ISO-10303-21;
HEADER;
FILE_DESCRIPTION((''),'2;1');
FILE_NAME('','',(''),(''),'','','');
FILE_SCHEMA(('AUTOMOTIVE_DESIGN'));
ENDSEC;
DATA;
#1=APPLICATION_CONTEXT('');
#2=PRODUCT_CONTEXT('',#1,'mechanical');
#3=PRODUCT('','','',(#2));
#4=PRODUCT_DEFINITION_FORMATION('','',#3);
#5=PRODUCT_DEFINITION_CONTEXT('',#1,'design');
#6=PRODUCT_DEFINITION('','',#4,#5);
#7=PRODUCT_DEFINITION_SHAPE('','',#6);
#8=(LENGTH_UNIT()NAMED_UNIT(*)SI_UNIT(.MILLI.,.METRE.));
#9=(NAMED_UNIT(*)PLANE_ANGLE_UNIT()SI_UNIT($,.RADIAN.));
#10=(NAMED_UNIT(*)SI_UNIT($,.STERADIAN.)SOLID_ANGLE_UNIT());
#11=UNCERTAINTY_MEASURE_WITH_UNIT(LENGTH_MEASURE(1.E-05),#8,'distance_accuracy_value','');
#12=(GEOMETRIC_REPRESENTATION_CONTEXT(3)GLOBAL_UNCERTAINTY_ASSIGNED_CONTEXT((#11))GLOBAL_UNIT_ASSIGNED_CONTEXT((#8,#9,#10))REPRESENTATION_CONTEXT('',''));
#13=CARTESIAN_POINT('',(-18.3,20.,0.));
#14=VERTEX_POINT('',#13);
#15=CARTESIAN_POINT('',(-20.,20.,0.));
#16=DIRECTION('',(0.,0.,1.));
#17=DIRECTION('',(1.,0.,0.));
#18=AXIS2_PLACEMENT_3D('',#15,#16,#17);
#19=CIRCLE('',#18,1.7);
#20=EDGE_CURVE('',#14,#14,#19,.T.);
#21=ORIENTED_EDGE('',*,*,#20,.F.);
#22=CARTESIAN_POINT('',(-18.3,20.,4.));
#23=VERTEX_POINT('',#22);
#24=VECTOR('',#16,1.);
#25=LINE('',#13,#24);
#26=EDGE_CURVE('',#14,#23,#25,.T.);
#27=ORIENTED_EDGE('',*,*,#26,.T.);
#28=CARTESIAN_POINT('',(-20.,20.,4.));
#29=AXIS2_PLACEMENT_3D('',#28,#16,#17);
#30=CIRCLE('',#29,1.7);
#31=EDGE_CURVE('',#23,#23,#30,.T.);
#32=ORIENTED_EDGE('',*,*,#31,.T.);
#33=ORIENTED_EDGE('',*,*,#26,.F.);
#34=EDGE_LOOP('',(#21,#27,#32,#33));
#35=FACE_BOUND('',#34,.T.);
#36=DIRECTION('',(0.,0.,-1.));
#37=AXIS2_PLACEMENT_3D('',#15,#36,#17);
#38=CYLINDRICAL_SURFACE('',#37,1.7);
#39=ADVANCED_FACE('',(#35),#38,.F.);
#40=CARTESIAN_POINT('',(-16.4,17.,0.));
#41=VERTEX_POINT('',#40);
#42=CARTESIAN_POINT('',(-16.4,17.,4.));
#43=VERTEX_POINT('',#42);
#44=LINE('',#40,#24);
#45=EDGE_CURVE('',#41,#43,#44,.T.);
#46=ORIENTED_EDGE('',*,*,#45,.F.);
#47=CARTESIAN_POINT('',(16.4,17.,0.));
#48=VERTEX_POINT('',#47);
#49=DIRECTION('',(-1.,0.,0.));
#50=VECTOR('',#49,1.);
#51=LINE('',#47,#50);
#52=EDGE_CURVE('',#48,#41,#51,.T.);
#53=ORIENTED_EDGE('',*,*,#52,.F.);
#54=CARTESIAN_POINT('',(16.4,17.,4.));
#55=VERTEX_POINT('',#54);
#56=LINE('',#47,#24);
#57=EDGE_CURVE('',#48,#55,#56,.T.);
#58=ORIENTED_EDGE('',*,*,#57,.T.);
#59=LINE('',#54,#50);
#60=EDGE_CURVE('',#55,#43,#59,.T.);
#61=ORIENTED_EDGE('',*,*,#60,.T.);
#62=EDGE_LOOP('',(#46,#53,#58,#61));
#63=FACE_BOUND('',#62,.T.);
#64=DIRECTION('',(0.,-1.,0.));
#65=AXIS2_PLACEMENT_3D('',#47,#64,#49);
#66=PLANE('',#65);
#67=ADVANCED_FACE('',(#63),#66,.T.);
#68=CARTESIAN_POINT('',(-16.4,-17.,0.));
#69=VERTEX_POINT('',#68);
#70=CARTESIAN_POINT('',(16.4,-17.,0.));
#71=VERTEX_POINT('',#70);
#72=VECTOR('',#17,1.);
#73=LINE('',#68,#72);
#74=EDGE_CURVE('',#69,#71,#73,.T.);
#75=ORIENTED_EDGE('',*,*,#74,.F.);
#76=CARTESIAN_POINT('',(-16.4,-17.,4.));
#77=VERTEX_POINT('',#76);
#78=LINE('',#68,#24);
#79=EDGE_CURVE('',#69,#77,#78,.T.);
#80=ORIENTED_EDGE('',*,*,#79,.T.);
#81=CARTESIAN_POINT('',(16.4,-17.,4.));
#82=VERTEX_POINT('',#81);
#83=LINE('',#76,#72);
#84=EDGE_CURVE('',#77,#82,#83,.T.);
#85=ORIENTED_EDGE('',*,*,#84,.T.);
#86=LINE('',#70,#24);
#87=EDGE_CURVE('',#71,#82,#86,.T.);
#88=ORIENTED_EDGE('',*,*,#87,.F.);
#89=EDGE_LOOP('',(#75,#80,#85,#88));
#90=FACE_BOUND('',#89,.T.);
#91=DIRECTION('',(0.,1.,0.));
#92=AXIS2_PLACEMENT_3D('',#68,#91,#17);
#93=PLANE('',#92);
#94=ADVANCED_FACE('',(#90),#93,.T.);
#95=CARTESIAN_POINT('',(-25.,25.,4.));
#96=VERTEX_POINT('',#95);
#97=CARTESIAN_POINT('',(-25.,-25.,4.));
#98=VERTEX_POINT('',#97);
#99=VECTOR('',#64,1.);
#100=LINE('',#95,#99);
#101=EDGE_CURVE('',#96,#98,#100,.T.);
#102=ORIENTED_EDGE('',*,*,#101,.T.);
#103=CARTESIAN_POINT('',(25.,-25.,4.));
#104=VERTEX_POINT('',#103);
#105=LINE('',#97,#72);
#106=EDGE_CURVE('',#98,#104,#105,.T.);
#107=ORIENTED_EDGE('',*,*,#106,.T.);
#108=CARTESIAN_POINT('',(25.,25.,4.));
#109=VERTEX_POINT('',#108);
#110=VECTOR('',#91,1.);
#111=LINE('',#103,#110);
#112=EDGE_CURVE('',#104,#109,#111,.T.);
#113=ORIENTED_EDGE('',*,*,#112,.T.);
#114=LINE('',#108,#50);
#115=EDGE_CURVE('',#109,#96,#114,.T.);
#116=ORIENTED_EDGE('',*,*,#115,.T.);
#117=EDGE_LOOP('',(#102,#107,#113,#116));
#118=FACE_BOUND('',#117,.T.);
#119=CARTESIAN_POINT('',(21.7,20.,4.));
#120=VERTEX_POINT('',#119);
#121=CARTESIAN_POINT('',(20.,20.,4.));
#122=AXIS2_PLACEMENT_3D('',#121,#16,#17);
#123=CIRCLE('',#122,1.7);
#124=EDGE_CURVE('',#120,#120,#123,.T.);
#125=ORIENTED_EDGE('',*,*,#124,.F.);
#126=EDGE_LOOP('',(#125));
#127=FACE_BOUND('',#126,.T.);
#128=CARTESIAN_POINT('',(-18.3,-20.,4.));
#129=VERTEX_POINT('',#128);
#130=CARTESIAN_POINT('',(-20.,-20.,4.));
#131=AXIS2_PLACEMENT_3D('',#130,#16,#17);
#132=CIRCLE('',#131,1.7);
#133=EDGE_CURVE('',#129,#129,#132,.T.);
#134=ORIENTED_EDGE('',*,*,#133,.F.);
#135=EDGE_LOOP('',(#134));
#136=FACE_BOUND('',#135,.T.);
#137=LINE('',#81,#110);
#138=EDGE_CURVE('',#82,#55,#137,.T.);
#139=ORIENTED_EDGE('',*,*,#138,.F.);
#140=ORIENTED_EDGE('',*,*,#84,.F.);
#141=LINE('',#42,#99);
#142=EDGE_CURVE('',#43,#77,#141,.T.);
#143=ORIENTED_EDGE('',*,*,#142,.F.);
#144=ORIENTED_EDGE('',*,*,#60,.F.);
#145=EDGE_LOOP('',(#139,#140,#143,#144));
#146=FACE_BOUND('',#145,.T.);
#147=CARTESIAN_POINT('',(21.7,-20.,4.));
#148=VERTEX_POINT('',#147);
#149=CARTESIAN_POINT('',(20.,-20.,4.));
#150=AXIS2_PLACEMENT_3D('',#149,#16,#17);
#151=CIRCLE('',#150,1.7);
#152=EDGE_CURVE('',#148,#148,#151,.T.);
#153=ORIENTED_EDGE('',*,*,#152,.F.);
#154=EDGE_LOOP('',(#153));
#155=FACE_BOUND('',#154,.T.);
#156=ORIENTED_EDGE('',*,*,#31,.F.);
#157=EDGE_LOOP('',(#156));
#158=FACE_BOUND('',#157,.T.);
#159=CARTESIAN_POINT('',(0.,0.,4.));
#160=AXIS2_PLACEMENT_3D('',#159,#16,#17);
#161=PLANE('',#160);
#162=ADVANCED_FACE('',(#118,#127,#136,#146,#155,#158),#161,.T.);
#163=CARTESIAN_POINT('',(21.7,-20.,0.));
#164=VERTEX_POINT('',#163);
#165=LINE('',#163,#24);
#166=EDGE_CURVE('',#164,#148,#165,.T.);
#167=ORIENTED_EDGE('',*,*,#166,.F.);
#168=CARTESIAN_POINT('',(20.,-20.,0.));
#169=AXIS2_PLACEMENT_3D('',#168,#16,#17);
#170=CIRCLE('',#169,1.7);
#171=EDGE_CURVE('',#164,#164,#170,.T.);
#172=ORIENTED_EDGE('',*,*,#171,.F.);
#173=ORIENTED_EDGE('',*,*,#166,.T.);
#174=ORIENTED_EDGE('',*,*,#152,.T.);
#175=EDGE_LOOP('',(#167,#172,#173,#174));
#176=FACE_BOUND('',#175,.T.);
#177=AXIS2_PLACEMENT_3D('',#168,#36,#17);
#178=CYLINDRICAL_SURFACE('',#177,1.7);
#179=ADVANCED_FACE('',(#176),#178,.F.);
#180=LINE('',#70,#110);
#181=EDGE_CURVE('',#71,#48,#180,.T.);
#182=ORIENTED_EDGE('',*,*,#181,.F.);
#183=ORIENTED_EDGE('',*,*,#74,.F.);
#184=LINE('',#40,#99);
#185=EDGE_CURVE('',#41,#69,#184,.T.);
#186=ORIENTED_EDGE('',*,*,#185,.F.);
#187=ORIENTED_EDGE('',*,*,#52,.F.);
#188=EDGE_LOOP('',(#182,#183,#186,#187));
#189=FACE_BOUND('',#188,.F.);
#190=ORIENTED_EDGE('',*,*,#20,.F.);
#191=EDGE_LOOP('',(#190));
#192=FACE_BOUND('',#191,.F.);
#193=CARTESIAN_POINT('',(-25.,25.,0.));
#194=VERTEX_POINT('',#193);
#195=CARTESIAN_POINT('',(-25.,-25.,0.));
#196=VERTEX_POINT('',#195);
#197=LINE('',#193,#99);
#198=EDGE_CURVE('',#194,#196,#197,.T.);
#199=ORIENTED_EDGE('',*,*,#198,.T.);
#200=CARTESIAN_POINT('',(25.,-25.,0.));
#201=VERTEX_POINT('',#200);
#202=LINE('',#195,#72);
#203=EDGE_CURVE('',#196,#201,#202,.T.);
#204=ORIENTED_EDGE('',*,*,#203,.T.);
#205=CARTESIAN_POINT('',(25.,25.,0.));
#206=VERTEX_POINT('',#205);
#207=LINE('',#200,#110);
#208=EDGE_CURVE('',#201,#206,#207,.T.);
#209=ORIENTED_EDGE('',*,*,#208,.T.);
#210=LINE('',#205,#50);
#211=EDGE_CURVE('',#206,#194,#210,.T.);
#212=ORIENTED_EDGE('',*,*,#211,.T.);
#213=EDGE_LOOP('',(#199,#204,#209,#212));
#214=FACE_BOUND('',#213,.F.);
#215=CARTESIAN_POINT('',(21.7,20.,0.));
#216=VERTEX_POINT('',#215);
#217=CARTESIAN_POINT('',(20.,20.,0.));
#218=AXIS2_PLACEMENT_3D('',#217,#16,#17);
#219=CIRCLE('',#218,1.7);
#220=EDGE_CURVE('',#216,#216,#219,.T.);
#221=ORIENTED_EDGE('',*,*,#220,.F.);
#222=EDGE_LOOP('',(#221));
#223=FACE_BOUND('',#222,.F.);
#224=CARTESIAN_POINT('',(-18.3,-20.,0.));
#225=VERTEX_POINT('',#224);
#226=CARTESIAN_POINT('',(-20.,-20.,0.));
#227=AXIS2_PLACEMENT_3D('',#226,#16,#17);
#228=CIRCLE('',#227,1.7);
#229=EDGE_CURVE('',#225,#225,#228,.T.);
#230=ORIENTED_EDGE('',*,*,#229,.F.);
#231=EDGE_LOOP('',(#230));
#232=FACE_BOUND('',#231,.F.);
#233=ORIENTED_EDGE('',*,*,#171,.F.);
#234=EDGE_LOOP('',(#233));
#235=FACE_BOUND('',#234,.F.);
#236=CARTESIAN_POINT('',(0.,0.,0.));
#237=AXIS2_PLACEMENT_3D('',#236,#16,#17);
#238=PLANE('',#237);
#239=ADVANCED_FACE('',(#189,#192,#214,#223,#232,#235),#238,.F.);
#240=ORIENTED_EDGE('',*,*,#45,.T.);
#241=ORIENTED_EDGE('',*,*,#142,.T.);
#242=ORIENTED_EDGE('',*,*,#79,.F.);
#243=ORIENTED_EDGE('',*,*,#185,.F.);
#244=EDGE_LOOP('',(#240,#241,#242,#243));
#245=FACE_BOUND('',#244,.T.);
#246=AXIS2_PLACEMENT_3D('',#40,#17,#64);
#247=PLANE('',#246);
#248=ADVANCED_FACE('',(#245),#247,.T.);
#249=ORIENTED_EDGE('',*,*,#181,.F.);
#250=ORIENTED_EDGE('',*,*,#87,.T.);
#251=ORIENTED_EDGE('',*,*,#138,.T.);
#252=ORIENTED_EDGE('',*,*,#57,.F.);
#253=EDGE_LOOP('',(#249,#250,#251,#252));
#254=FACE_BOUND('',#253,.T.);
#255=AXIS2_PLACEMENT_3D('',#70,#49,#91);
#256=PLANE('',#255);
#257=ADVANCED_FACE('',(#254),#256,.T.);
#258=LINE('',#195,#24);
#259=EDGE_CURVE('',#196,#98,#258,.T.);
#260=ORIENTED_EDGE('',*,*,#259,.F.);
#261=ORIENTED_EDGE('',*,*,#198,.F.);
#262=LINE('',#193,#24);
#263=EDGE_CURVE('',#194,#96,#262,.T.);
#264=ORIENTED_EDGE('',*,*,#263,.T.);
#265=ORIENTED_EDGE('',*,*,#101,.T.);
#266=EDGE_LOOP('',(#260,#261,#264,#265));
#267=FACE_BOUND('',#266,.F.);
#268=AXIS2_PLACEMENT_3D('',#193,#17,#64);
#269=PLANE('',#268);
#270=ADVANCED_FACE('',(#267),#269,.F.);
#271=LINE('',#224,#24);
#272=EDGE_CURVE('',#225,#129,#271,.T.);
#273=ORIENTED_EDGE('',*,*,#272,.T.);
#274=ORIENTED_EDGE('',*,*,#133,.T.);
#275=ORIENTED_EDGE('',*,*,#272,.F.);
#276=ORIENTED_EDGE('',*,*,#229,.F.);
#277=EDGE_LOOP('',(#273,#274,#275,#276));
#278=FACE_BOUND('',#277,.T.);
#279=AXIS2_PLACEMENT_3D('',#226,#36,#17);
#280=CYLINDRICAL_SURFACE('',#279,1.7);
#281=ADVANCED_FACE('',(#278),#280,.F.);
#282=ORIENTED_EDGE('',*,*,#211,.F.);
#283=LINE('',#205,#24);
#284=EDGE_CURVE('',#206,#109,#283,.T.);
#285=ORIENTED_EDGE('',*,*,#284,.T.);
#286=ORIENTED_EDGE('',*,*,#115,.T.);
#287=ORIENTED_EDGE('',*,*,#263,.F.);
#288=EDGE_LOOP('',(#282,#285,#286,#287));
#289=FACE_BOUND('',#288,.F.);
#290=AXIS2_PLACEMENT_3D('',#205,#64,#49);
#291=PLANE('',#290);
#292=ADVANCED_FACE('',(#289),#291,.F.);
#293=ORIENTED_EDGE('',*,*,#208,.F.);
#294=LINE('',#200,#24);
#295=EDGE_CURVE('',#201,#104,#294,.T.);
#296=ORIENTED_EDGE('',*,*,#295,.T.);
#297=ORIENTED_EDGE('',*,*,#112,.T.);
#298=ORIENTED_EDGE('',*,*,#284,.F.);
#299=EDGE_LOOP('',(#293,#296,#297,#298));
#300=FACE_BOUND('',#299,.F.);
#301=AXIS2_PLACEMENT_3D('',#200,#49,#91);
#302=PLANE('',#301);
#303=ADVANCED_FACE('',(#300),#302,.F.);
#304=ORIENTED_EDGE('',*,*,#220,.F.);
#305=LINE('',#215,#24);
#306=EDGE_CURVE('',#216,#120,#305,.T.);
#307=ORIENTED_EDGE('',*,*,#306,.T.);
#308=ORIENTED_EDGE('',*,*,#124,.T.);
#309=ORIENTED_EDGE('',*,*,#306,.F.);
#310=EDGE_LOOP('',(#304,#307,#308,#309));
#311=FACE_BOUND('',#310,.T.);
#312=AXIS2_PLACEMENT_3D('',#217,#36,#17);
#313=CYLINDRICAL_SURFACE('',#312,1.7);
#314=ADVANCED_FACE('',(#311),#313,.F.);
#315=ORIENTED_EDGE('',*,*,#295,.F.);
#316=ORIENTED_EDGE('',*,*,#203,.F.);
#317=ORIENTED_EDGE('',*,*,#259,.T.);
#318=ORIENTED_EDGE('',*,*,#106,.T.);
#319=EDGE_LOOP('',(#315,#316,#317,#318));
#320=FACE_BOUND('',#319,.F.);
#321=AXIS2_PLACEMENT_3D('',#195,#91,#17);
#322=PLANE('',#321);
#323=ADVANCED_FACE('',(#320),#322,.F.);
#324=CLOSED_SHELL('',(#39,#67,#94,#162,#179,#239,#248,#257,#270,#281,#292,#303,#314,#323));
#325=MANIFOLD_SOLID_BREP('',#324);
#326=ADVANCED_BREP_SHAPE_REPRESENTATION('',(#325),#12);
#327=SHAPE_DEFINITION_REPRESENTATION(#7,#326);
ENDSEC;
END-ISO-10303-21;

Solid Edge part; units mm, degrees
sketch "Sketch1" plane through (0, 0, 0) normal (0, 0, 1) x (1, 0, 0)
  line L0 (-25, -25) -> (25, -25)
  line L1 (25, -25) -> (25, 25)
  line L2 (25, 25) -> (-25, 25)
  line L3 (-25, 25) -> (-25, -25)
  line L4 (-16.4, -17) -> (16.4, -17)
  line L5 (16.4, -17) -> (16.4, 17)
  line L6 (16.4, 17) -> (-16.4, 17)
  line L7 (-16.4, 17) -> (-16.4, -17)
  circle A0 centre (-20, -20) radius 1.7
  circle A1 centre (-20, 20) radius 1.7
  circle A2 centre (20, -20) radius 1.7
  circle A3 centre (20, 20) radius 1.7
extrude "Protrusion1" add sketch "Sketch1" along normal blind 4
